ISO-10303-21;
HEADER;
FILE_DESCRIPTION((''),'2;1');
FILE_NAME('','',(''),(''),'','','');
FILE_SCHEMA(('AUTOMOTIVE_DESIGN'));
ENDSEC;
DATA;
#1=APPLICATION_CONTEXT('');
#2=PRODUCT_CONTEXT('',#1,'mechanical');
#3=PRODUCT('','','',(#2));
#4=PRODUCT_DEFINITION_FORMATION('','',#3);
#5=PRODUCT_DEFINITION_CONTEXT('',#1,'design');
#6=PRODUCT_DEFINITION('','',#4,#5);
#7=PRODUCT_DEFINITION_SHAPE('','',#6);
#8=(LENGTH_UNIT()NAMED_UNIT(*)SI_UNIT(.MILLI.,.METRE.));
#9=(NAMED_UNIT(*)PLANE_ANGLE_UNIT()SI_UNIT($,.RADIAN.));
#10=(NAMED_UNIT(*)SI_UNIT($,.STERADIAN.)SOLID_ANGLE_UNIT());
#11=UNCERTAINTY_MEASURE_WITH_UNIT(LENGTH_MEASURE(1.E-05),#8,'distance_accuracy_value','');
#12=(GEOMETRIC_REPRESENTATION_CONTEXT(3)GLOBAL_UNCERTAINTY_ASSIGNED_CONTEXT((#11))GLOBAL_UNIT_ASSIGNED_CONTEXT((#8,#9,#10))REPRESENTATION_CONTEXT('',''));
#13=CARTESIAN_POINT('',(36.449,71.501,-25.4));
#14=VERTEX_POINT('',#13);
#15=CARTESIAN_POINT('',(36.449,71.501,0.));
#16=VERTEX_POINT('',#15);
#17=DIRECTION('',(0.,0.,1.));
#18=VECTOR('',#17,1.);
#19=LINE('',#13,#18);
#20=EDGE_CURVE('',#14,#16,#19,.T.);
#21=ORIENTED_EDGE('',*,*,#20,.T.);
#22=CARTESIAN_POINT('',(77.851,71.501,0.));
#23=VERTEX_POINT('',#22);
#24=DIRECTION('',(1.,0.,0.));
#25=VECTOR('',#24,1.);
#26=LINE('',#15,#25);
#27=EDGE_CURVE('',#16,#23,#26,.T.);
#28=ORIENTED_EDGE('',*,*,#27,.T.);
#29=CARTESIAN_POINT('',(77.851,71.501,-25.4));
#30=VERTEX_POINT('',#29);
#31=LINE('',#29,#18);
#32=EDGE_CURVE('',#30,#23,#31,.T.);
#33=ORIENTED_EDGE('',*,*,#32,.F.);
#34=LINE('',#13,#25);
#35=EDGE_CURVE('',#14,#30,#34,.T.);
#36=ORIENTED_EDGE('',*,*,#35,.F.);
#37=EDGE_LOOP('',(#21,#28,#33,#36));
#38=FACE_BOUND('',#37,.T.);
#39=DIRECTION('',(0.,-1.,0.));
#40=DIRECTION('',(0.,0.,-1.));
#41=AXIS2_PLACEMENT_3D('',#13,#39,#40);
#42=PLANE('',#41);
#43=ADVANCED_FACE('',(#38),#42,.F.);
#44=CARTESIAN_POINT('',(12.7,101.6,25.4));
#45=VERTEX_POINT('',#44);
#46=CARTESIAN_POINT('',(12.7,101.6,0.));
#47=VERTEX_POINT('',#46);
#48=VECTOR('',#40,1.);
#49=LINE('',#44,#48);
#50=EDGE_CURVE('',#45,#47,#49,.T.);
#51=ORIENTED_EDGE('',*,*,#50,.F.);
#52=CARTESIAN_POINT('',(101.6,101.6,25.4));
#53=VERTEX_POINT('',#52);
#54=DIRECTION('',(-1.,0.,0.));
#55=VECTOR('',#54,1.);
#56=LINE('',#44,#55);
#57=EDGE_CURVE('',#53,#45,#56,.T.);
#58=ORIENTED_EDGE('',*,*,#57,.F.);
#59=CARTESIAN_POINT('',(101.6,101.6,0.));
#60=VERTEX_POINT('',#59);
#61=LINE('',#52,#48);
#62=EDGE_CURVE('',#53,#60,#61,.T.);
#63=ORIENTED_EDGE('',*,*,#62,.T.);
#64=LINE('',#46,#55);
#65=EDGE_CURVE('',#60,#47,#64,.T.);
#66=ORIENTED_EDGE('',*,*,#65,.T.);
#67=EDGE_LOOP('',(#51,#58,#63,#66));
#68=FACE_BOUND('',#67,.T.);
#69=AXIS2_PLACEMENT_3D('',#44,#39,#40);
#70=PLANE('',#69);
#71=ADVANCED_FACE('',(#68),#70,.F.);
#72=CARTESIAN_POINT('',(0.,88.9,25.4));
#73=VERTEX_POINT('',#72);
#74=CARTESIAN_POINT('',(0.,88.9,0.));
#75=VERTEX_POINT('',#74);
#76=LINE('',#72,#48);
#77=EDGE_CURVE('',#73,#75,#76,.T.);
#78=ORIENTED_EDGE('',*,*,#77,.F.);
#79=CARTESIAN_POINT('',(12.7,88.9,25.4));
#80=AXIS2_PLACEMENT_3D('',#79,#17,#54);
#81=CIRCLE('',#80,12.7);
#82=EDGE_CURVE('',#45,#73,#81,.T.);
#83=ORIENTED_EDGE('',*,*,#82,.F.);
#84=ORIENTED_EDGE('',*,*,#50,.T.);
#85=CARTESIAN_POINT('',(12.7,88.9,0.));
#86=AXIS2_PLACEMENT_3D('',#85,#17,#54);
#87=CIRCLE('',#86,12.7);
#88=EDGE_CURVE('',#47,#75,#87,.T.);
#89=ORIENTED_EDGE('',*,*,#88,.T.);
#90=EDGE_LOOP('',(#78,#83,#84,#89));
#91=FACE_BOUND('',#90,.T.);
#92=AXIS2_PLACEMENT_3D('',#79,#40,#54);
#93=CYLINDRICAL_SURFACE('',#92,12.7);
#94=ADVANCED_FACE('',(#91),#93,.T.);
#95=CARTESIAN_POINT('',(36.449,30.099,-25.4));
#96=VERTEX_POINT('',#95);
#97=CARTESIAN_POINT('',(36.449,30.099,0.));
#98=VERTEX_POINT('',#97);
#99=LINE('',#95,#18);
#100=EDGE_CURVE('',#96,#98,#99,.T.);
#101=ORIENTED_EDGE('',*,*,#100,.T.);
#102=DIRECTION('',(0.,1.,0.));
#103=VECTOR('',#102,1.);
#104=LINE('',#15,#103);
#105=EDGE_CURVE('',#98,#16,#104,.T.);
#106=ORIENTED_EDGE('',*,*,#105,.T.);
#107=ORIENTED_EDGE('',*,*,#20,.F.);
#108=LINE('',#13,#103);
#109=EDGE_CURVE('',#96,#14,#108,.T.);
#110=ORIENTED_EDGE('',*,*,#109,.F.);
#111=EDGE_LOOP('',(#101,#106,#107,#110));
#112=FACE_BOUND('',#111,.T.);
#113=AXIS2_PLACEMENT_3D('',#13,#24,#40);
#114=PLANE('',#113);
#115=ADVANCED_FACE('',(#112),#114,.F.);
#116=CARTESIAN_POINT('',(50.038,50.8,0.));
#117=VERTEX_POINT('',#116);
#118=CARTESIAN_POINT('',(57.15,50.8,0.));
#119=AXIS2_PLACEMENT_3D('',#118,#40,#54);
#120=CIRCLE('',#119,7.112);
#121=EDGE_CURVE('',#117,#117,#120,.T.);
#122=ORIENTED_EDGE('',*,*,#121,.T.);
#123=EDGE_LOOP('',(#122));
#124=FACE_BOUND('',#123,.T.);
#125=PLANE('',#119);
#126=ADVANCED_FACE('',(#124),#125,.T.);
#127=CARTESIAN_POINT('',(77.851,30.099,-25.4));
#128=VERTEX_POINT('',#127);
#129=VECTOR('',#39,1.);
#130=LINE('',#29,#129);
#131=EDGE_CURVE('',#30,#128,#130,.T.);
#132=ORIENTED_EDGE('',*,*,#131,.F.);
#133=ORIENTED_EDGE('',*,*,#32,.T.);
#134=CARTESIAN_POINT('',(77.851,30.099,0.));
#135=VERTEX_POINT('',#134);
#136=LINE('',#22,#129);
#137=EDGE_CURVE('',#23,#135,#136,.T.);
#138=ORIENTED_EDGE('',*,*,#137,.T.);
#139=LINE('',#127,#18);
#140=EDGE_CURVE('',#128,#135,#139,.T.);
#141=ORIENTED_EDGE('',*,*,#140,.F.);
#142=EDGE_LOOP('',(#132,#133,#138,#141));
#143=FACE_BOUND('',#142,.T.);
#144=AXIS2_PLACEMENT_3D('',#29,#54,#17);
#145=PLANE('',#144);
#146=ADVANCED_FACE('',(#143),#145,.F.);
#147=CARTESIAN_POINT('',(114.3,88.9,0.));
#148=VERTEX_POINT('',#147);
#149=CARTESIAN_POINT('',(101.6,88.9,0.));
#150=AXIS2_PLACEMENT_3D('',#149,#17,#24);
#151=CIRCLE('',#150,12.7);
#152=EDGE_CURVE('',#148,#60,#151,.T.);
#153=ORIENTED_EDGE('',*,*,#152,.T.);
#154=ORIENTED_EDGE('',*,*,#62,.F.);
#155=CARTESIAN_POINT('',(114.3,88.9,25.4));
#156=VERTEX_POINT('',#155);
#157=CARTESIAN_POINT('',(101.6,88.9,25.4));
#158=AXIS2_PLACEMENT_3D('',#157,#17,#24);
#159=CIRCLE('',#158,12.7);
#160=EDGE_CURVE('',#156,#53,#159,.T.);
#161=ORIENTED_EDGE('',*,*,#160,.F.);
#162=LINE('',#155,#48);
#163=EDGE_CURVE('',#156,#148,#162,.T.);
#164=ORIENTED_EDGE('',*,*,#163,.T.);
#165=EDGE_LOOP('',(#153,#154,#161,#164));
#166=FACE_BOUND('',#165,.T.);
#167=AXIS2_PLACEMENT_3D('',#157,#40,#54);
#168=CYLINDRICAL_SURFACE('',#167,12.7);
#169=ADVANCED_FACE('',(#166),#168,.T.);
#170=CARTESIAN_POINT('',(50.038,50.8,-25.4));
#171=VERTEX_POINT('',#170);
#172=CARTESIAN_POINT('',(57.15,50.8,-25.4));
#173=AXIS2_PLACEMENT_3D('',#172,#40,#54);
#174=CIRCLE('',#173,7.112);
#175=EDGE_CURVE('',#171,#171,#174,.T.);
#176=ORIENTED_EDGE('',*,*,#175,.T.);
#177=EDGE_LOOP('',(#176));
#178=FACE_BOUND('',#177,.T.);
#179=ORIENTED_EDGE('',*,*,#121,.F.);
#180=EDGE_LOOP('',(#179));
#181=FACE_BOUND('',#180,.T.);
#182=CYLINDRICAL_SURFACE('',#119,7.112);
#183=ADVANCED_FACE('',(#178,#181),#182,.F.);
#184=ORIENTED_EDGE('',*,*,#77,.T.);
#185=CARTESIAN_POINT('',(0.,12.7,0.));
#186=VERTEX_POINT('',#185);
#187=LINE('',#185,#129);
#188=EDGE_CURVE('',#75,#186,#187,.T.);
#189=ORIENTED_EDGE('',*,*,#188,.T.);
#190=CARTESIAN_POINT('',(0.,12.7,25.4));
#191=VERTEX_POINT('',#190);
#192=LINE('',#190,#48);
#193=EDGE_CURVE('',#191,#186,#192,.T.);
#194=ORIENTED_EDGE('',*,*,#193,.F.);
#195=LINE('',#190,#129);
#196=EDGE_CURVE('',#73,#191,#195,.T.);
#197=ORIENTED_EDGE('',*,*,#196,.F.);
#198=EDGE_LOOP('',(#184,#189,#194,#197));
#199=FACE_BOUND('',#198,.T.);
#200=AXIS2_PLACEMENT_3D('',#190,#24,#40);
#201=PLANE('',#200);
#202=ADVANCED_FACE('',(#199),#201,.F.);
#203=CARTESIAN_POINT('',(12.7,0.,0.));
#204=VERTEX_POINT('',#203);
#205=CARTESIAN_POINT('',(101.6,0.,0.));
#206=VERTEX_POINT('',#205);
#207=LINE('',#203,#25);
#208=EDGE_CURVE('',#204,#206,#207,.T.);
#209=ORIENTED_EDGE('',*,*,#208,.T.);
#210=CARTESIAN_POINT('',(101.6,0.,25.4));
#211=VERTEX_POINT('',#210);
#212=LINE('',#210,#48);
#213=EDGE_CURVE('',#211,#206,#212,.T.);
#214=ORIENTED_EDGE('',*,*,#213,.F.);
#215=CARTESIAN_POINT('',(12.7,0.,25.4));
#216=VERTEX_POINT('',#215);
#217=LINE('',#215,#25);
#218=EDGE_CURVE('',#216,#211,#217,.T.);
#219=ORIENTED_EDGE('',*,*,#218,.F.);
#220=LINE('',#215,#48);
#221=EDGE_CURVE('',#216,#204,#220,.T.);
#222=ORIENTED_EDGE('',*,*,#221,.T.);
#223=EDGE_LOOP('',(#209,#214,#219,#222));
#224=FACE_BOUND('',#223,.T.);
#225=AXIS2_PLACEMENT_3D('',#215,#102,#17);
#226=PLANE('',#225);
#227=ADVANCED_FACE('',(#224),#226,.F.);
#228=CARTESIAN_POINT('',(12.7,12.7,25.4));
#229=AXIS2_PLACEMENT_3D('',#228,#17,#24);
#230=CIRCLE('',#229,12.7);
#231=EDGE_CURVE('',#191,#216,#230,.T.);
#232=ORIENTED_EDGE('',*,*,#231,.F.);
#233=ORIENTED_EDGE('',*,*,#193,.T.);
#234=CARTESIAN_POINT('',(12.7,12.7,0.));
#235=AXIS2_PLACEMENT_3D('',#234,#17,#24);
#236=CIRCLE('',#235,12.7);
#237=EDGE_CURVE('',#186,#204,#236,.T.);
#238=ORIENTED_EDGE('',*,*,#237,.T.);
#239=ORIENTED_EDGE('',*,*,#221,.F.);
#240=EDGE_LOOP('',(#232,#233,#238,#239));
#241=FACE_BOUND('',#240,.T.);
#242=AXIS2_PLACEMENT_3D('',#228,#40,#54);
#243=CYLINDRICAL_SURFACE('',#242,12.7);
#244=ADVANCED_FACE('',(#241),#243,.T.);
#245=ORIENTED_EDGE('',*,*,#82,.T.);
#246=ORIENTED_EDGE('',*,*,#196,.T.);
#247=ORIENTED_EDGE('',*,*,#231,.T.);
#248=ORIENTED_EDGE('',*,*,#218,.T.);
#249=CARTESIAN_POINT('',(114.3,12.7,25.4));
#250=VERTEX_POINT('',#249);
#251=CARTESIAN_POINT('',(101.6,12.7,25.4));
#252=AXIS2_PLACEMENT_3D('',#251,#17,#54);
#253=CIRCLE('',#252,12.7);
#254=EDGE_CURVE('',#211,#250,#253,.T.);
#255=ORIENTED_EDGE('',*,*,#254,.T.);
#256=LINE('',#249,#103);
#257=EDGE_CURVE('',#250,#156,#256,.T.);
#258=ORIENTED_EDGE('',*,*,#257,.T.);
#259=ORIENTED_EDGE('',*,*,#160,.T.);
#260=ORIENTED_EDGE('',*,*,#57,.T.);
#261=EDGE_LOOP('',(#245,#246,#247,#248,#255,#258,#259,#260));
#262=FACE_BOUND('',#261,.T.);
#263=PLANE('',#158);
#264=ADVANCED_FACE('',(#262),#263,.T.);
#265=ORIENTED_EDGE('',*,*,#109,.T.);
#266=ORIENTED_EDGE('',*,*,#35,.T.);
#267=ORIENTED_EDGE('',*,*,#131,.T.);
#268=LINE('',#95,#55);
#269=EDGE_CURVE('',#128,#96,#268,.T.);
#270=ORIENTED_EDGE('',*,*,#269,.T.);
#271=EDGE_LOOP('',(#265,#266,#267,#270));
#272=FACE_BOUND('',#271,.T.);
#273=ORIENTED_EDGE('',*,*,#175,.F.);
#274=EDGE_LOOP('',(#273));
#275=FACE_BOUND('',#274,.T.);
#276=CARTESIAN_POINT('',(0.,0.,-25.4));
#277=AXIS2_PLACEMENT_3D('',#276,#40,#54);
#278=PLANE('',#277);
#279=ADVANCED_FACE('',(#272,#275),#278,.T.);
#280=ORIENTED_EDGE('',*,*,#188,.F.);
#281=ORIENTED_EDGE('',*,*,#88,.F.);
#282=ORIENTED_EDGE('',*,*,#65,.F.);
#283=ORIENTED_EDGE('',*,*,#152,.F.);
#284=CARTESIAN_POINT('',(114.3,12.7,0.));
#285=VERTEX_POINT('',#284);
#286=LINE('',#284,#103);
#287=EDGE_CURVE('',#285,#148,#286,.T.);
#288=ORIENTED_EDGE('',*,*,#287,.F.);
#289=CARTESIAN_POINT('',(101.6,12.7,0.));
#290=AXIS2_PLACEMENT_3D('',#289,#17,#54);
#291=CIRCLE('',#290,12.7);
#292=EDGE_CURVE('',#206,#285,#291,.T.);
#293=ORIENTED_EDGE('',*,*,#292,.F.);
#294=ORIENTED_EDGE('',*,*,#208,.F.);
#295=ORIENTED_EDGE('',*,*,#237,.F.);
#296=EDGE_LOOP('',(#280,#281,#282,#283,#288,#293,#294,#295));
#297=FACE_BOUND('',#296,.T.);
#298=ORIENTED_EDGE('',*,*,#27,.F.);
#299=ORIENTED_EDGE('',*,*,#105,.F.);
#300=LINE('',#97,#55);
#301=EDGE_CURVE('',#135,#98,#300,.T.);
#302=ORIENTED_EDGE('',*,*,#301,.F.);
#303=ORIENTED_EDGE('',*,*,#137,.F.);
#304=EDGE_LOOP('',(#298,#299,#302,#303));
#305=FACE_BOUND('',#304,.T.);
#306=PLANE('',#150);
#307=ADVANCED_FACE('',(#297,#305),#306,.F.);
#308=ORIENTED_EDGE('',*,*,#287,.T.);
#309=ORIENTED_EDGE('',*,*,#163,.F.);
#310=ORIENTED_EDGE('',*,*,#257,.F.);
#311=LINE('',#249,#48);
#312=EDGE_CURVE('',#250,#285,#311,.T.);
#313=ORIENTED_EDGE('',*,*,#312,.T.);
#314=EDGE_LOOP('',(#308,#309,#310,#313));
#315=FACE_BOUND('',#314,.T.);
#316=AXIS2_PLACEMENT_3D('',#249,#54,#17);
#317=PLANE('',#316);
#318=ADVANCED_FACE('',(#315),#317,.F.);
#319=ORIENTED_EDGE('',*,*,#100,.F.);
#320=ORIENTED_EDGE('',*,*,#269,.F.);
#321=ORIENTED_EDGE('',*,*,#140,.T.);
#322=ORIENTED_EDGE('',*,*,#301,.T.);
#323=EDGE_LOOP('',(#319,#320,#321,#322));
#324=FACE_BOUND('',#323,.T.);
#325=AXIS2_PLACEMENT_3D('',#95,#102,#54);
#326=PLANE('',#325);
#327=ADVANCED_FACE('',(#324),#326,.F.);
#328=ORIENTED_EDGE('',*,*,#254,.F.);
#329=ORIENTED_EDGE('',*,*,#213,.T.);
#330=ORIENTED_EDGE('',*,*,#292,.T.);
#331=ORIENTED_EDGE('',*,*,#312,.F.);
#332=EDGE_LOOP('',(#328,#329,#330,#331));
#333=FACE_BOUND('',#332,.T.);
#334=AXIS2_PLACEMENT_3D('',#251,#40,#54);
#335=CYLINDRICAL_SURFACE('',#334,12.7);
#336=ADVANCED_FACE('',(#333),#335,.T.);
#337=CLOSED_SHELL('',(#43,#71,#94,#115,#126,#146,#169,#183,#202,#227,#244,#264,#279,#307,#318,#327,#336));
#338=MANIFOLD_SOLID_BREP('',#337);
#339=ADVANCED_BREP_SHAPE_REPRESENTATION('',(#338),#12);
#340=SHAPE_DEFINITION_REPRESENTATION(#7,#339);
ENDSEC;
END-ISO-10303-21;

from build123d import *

# Parameters (mm, degrees)
EXTRUDE_1_DEPTH     = 25.4
SKETCH_2_W          = 41.402
SKETCH_2_H          = 41.402
EXTRUDE_2_DEPTH     = 25.4
SKETCH_3_R          = 7.112
CUT_EXTRUDE_1_DEPTH = 25.4


with BuildPart() as part:
    # 草图1 → 凸台-拉伸1 (new body)
    with BuildSketch(Plane.XY):
        with BuildLine():
            Line((12.7, 0), (101.6, 0))
            ThreePointArc((101.6, 0), (110.580256121, 3.719743879), (114.3, 12.7))
            Line((114.3, 12.7), (114.3, 88.9))
            ThreePointArc((114.3, 88.9), (110.580256121, 97.880256121), (101.6, 101.6))
            Line((101.6, 101.6), (12.7, 101.6))
            ThreePointArc((12.7, 101.6), (3.719743879, 97.880256121), (0, 88.9))
            Line((0, 88.9), (0, 12.7))
            ThreePointArc((0, 12.7), (3.719743879, 3.719743879), (12.7, 0))
        make_face()
    extrude(amount=EXTRUDE_1_DEPTH)

    # 草图2 → 凸台-拉伸2 (add)
    with BuildSketch(Plane(origin=(0, 0, 0), x_dir=(-1, 0, 0), z_dir=(0, 0, -1))):
        with Locations((-57.15, 50.8)):
            Rectangle(SKETCH_2_W, SKETCH_2_H)
    extrude(amount=EXTRUDE_2_DEPTH)

    # 草图3 → 切除-拉伸1 (cut)
    with BuildSketch(Plane(origin=(0, 0, -25.4), x_dir=(-1, 0, 0), z_dir=(0, 0, -1))):
        with Locations((-57.15, 50.8)):
            Circle(SKETCH_3_R)
    extrude(amount=-CUT_EXTRUDE_1_DEPTH, mode=Mode.SUBTRACT)


solid = part.part
